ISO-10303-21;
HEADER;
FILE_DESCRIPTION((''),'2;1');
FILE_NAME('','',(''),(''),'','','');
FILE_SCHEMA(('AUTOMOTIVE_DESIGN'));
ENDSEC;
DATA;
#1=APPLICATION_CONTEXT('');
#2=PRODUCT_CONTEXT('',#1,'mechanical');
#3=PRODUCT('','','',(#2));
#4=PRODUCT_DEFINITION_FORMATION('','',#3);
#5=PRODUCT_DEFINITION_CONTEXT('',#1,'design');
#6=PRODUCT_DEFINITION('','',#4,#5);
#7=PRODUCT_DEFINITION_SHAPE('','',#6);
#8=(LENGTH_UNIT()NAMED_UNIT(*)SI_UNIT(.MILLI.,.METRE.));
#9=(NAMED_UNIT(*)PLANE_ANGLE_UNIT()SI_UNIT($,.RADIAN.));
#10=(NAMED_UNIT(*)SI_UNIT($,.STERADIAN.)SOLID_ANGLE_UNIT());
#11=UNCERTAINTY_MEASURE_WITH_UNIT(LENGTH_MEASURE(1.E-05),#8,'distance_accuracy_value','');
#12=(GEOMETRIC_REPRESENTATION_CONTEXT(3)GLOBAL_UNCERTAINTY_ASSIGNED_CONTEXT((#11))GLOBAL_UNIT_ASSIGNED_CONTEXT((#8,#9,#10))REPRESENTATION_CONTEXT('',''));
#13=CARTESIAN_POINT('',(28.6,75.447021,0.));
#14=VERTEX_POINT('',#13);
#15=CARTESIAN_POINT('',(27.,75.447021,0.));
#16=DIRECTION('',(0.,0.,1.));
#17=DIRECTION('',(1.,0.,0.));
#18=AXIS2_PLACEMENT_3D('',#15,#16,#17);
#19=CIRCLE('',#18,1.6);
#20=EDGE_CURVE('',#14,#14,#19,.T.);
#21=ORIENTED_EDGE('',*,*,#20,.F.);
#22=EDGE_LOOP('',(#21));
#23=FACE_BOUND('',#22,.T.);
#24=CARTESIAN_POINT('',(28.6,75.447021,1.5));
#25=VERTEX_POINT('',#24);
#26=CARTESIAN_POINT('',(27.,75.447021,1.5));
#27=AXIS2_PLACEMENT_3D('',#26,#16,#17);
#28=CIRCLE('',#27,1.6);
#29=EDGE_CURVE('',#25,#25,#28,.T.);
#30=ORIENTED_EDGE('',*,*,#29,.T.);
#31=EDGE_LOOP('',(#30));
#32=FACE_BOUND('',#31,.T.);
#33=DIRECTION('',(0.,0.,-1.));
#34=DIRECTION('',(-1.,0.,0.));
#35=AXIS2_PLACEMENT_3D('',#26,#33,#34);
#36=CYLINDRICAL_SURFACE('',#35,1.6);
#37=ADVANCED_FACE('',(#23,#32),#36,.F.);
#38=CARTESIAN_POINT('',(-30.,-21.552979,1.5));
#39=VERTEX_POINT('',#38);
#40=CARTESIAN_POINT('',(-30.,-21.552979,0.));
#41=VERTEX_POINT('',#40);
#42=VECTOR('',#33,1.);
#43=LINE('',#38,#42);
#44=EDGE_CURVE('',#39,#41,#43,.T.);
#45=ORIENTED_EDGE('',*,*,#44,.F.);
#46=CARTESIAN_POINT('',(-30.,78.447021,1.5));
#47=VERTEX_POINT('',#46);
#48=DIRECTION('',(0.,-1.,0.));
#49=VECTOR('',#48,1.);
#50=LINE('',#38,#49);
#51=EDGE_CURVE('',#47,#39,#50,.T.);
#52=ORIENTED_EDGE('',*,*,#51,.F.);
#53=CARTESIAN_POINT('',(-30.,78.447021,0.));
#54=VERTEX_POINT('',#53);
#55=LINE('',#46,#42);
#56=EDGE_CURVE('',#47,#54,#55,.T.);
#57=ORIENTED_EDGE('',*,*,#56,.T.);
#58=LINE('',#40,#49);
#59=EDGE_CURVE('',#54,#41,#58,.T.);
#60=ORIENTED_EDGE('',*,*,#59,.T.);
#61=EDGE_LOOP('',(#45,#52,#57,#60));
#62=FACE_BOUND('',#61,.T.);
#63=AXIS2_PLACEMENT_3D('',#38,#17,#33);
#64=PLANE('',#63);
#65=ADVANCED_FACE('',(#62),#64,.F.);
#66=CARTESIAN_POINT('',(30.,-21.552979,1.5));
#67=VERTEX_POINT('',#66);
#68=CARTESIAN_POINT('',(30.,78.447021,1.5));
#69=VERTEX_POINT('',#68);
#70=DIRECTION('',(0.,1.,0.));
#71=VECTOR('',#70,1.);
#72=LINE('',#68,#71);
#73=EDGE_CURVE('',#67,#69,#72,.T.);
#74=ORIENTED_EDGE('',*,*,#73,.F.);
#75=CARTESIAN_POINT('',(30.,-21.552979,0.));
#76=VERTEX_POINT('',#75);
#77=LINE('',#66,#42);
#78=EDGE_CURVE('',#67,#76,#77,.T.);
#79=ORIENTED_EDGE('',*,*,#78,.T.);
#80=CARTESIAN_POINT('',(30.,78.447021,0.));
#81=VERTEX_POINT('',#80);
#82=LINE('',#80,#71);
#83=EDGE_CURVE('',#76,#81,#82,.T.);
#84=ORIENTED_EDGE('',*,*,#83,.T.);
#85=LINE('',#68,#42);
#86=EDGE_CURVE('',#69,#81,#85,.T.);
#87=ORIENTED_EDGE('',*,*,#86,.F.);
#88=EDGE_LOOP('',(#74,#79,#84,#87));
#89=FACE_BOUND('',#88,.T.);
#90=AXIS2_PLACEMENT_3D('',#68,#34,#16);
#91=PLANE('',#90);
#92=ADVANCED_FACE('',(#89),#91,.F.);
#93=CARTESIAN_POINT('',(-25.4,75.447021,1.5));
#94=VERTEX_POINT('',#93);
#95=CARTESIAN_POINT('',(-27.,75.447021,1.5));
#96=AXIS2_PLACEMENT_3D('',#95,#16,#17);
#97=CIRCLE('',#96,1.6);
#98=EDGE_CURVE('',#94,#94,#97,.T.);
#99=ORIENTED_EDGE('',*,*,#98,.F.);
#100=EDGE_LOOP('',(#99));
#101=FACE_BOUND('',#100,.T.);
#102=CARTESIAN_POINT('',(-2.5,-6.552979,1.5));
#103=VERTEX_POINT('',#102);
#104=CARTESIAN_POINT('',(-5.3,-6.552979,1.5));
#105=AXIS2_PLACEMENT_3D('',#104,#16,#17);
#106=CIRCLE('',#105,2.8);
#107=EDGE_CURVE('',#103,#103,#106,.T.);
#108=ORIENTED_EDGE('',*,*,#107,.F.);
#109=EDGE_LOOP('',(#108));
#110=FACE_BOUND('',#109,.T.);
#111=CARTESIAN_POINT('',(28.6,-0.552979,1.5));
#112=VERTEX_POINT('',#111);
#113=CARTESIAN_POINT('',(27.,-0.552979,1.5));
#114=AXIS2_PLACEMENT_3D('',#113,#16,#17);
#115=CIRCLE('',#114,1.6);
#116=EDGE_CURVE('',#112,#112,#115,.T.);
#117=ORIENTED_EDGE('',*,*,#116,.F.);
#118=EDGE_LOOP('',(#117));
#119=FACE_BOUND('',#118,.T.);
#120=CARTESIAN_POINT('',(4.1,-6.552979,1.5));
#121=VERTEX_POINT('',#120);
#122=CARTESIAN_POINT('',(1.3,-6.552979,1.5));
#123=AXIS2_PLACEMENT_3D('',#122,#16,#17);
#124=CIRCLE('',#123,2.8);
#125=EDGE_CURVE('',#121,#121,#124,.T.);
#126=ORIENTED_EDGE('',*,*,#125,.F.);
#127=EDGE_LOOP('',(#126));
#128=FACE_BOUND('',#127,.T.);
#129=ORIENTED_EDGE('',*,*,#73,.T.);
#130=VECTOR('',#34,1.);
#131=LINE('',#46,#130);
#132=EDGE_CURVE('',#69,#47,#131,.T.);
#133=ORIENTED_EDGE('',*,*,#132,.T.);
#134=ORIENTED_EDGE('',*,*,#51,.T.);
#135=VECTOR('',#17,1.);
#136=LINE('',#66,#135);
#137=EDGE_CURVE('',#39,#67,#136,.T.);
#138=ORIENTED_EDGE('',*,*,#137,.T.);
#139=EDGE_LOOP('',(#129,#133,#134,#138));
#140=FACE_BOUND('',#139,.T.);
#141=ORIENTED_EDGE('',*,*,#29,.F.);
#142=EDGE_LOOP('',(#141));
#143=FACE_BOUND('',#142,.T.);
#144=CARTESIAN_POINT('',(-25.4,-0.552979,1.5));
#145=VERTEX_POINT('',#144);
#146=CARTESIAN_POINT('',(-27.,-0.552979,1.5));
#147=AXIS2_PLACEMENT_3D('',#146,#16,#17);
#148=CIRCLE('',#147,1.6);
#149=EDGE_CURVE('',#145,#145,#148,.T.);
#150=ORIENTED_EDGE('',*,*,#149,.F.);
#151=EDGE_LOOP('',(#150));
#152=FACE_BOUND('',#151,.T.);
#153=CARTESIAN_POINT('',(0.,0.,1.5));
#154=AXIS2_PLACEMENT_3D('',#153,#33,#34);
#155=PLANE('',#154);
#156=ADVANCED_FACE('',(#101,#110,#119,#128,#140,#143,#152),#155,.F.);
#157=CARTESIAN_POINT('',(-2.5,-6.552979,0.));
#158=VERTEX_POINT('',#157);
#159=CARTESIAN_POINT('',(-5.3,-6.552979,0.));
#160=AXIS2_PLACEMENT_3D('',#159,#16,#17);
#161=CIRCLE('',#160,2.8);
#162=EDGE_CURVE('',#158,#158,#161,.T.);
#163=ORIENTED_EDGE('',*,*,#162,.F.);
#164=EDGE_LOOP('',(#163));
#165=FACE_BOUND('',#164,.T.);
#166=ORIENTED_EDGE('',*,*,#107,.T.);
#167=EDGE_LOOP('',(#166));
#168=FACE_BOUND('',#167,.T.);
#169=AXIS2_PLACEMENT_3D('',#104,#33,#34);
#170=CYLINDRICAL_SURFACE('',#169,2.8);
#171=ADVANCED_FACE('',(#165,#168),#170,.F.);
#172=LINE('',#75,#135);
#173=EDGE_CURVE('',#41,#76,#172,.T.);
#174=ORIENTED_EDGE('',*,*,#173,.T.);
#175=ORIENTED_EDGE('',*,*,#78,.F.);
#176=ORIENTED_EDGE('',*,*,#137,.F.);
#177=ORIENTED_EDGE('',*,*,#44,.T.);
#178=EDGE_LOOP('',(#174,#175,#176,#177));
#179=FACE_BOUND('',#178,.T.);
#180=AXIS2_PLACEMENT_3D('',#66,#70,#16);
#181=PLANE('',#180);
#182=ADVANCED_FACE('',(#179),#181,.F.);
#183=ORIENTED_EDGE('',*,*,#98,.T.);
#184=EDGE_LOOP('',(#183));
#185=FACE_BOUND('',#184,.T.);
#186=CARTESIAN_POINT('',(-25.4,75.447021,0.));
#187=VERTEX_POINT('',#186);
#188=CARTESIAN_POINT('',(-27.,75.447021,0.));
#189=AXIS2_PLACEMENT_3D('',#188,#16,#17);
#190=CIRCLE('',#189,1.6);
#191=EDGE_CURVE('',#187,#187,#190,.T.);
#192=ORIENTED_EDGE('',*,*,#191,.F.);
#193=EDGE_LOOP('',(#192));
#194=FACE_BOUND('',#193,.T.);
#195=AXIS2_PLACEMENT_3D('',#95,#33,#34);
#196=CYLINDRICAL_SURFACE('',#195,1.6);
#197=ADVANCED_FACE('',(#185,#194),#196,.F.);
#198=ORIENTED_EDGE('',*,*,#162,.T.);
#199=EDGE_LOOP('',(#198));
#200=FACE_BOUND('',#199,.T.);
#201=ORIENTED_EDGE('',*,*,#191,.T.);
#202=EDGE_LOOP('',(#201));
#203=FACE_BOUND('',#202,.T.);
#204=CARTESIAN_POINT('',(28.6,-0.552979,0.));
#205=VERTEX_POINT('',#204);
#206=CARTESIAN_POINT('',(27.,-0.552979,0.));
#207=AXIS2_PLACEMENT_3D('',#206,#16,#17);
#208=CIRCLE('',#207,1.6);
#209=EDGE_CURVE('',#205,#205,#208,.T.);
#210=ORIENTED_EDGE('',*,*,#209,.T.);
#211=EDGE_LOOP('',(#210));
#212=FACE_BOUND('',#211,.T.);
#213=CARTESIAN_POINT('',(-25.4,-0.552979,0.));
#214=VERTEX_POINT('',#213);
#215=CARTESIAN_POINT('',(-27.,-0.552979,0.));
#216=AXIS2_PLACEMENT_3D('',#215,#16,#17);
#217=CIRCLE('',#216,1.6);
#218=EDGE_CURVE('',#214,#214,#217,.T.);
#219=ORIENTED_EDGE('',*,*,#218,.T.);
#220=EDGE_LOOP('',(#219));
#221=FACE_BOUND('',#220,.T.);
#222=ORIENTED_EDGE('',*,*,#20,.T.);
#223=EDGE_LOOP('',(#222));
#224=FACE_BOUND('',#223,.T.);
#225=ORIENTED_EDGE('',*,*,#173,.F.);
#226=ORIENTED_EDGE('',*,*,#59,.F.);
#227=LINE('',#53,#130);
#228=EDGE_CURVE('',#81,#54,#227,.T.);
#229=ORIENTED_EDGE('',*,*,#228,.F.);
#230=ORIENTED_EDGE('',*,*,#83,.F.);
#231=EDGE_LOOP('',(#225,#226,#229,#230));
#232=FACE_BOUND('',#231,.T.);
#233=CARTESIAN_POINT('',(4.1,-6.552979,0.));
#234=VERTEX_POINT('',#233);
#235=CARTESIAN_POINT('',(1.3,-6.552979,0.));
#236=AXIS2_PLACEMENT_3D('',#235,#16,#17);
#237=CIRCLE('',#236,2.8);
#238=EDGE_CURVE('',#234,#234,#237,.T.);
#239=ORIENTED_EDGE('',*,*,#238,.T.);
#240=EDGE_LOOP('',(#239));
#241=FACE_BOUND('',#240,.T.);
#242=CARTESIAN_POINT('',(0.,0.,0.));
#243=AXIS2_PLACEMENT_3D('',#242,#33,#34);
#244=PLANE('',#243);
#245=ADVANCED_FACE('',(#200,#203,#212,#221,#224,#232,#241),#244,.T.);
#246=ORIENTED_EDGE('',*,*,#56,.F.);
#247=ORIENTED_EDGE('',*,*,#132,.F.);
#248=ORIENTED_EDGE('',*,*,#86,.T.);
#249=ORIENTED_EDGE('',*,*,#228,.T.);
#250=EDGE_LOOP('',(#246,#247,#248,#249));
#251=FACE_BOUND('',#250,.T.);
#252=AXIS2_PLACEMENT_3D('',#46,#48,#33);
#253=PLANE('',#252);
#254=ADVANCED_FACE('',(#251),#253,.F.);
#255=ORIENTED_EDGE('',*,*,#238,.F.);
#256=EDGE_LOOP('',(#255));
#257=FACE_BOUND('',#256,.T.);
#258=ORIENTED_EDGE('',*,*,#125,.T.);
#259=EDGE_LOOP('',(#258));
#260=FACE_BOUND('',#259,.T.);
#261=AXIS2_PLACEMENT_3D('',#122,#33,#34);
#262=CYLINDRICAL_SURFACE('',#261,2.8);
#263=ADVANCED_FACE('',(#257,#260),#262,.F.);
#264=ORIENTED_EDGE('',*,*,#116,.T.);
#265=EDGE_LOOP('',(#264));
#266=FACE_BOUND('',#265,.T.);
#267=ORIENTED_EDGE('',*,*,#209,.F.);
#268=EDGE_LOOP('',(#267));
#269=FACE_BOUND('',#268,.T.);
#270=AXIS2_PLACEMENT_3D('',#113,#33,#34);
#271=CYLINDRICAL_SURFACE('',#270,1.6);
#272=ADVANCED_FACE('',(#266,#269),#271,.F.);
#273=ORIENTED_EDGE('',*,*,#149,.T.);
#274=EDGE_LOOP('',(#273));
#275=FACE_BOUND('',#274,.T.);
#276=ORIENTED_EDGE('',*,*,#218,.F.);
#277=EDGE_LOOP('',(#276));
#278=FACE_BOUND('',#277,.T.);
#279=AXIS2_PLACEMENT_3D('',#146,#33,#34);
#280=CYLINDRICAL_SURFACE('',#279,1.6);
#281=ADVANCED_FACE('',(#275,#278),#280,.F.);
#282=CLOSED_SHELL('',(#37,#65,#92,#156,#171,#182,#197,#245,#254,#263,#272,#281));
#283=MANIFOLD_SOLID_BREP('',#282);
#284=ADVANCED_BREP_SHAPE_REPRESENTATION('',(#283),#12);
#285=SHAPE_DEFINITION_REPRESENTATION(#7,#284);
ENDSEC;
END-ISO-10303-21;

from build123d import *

# Parameters (mm, degrees)
SKETCH1_W           = 60
SKETCH1_H           = 100
SKETCH1_R           = 2.8
SKETCH1_R_2         = 1.6
BOSS_EXTRUDE1_DEPTH = 1.5


with BuildPart() as part:
    # Sketch1 → Boss-Extrude1 (new body)
    with BuildSketch(Plane.XY):
        with Locations((0, 28.447020954)):
            Rectangle(SKETCH1_W, SKETCH1_H)
        with Locations((-5.3, -6.552979046)):
            Circle(SKETCH1_R, mode=Mode.SUBTRACT)
        with Locations((-27, -0.552979046)):
            Circle(SKETCH1_R_2, mode=Mode.SUBTRACT)
        with Locations((27, 75.447020954)):
            Circle(SKETCH1_R_2, mode=Mode.SUBTRACT)
        with Locations((-27, 75.447020954)):
            Circle(SKETCH1_R_2, mode=Mode.SUBTRACT)
        with Locations((27, -0.552979046)):
            Circle(SKETCH1_R_2, mode=Mode.SUBTRACT)
        with Locations((1.3, -6.552979046)):
            Circle(SKETCH1_R, mode=Mode.SUBTRACT)
    extrude(amount=BOSS_EXTRUDE1_DEPTH)


solid = part.part
